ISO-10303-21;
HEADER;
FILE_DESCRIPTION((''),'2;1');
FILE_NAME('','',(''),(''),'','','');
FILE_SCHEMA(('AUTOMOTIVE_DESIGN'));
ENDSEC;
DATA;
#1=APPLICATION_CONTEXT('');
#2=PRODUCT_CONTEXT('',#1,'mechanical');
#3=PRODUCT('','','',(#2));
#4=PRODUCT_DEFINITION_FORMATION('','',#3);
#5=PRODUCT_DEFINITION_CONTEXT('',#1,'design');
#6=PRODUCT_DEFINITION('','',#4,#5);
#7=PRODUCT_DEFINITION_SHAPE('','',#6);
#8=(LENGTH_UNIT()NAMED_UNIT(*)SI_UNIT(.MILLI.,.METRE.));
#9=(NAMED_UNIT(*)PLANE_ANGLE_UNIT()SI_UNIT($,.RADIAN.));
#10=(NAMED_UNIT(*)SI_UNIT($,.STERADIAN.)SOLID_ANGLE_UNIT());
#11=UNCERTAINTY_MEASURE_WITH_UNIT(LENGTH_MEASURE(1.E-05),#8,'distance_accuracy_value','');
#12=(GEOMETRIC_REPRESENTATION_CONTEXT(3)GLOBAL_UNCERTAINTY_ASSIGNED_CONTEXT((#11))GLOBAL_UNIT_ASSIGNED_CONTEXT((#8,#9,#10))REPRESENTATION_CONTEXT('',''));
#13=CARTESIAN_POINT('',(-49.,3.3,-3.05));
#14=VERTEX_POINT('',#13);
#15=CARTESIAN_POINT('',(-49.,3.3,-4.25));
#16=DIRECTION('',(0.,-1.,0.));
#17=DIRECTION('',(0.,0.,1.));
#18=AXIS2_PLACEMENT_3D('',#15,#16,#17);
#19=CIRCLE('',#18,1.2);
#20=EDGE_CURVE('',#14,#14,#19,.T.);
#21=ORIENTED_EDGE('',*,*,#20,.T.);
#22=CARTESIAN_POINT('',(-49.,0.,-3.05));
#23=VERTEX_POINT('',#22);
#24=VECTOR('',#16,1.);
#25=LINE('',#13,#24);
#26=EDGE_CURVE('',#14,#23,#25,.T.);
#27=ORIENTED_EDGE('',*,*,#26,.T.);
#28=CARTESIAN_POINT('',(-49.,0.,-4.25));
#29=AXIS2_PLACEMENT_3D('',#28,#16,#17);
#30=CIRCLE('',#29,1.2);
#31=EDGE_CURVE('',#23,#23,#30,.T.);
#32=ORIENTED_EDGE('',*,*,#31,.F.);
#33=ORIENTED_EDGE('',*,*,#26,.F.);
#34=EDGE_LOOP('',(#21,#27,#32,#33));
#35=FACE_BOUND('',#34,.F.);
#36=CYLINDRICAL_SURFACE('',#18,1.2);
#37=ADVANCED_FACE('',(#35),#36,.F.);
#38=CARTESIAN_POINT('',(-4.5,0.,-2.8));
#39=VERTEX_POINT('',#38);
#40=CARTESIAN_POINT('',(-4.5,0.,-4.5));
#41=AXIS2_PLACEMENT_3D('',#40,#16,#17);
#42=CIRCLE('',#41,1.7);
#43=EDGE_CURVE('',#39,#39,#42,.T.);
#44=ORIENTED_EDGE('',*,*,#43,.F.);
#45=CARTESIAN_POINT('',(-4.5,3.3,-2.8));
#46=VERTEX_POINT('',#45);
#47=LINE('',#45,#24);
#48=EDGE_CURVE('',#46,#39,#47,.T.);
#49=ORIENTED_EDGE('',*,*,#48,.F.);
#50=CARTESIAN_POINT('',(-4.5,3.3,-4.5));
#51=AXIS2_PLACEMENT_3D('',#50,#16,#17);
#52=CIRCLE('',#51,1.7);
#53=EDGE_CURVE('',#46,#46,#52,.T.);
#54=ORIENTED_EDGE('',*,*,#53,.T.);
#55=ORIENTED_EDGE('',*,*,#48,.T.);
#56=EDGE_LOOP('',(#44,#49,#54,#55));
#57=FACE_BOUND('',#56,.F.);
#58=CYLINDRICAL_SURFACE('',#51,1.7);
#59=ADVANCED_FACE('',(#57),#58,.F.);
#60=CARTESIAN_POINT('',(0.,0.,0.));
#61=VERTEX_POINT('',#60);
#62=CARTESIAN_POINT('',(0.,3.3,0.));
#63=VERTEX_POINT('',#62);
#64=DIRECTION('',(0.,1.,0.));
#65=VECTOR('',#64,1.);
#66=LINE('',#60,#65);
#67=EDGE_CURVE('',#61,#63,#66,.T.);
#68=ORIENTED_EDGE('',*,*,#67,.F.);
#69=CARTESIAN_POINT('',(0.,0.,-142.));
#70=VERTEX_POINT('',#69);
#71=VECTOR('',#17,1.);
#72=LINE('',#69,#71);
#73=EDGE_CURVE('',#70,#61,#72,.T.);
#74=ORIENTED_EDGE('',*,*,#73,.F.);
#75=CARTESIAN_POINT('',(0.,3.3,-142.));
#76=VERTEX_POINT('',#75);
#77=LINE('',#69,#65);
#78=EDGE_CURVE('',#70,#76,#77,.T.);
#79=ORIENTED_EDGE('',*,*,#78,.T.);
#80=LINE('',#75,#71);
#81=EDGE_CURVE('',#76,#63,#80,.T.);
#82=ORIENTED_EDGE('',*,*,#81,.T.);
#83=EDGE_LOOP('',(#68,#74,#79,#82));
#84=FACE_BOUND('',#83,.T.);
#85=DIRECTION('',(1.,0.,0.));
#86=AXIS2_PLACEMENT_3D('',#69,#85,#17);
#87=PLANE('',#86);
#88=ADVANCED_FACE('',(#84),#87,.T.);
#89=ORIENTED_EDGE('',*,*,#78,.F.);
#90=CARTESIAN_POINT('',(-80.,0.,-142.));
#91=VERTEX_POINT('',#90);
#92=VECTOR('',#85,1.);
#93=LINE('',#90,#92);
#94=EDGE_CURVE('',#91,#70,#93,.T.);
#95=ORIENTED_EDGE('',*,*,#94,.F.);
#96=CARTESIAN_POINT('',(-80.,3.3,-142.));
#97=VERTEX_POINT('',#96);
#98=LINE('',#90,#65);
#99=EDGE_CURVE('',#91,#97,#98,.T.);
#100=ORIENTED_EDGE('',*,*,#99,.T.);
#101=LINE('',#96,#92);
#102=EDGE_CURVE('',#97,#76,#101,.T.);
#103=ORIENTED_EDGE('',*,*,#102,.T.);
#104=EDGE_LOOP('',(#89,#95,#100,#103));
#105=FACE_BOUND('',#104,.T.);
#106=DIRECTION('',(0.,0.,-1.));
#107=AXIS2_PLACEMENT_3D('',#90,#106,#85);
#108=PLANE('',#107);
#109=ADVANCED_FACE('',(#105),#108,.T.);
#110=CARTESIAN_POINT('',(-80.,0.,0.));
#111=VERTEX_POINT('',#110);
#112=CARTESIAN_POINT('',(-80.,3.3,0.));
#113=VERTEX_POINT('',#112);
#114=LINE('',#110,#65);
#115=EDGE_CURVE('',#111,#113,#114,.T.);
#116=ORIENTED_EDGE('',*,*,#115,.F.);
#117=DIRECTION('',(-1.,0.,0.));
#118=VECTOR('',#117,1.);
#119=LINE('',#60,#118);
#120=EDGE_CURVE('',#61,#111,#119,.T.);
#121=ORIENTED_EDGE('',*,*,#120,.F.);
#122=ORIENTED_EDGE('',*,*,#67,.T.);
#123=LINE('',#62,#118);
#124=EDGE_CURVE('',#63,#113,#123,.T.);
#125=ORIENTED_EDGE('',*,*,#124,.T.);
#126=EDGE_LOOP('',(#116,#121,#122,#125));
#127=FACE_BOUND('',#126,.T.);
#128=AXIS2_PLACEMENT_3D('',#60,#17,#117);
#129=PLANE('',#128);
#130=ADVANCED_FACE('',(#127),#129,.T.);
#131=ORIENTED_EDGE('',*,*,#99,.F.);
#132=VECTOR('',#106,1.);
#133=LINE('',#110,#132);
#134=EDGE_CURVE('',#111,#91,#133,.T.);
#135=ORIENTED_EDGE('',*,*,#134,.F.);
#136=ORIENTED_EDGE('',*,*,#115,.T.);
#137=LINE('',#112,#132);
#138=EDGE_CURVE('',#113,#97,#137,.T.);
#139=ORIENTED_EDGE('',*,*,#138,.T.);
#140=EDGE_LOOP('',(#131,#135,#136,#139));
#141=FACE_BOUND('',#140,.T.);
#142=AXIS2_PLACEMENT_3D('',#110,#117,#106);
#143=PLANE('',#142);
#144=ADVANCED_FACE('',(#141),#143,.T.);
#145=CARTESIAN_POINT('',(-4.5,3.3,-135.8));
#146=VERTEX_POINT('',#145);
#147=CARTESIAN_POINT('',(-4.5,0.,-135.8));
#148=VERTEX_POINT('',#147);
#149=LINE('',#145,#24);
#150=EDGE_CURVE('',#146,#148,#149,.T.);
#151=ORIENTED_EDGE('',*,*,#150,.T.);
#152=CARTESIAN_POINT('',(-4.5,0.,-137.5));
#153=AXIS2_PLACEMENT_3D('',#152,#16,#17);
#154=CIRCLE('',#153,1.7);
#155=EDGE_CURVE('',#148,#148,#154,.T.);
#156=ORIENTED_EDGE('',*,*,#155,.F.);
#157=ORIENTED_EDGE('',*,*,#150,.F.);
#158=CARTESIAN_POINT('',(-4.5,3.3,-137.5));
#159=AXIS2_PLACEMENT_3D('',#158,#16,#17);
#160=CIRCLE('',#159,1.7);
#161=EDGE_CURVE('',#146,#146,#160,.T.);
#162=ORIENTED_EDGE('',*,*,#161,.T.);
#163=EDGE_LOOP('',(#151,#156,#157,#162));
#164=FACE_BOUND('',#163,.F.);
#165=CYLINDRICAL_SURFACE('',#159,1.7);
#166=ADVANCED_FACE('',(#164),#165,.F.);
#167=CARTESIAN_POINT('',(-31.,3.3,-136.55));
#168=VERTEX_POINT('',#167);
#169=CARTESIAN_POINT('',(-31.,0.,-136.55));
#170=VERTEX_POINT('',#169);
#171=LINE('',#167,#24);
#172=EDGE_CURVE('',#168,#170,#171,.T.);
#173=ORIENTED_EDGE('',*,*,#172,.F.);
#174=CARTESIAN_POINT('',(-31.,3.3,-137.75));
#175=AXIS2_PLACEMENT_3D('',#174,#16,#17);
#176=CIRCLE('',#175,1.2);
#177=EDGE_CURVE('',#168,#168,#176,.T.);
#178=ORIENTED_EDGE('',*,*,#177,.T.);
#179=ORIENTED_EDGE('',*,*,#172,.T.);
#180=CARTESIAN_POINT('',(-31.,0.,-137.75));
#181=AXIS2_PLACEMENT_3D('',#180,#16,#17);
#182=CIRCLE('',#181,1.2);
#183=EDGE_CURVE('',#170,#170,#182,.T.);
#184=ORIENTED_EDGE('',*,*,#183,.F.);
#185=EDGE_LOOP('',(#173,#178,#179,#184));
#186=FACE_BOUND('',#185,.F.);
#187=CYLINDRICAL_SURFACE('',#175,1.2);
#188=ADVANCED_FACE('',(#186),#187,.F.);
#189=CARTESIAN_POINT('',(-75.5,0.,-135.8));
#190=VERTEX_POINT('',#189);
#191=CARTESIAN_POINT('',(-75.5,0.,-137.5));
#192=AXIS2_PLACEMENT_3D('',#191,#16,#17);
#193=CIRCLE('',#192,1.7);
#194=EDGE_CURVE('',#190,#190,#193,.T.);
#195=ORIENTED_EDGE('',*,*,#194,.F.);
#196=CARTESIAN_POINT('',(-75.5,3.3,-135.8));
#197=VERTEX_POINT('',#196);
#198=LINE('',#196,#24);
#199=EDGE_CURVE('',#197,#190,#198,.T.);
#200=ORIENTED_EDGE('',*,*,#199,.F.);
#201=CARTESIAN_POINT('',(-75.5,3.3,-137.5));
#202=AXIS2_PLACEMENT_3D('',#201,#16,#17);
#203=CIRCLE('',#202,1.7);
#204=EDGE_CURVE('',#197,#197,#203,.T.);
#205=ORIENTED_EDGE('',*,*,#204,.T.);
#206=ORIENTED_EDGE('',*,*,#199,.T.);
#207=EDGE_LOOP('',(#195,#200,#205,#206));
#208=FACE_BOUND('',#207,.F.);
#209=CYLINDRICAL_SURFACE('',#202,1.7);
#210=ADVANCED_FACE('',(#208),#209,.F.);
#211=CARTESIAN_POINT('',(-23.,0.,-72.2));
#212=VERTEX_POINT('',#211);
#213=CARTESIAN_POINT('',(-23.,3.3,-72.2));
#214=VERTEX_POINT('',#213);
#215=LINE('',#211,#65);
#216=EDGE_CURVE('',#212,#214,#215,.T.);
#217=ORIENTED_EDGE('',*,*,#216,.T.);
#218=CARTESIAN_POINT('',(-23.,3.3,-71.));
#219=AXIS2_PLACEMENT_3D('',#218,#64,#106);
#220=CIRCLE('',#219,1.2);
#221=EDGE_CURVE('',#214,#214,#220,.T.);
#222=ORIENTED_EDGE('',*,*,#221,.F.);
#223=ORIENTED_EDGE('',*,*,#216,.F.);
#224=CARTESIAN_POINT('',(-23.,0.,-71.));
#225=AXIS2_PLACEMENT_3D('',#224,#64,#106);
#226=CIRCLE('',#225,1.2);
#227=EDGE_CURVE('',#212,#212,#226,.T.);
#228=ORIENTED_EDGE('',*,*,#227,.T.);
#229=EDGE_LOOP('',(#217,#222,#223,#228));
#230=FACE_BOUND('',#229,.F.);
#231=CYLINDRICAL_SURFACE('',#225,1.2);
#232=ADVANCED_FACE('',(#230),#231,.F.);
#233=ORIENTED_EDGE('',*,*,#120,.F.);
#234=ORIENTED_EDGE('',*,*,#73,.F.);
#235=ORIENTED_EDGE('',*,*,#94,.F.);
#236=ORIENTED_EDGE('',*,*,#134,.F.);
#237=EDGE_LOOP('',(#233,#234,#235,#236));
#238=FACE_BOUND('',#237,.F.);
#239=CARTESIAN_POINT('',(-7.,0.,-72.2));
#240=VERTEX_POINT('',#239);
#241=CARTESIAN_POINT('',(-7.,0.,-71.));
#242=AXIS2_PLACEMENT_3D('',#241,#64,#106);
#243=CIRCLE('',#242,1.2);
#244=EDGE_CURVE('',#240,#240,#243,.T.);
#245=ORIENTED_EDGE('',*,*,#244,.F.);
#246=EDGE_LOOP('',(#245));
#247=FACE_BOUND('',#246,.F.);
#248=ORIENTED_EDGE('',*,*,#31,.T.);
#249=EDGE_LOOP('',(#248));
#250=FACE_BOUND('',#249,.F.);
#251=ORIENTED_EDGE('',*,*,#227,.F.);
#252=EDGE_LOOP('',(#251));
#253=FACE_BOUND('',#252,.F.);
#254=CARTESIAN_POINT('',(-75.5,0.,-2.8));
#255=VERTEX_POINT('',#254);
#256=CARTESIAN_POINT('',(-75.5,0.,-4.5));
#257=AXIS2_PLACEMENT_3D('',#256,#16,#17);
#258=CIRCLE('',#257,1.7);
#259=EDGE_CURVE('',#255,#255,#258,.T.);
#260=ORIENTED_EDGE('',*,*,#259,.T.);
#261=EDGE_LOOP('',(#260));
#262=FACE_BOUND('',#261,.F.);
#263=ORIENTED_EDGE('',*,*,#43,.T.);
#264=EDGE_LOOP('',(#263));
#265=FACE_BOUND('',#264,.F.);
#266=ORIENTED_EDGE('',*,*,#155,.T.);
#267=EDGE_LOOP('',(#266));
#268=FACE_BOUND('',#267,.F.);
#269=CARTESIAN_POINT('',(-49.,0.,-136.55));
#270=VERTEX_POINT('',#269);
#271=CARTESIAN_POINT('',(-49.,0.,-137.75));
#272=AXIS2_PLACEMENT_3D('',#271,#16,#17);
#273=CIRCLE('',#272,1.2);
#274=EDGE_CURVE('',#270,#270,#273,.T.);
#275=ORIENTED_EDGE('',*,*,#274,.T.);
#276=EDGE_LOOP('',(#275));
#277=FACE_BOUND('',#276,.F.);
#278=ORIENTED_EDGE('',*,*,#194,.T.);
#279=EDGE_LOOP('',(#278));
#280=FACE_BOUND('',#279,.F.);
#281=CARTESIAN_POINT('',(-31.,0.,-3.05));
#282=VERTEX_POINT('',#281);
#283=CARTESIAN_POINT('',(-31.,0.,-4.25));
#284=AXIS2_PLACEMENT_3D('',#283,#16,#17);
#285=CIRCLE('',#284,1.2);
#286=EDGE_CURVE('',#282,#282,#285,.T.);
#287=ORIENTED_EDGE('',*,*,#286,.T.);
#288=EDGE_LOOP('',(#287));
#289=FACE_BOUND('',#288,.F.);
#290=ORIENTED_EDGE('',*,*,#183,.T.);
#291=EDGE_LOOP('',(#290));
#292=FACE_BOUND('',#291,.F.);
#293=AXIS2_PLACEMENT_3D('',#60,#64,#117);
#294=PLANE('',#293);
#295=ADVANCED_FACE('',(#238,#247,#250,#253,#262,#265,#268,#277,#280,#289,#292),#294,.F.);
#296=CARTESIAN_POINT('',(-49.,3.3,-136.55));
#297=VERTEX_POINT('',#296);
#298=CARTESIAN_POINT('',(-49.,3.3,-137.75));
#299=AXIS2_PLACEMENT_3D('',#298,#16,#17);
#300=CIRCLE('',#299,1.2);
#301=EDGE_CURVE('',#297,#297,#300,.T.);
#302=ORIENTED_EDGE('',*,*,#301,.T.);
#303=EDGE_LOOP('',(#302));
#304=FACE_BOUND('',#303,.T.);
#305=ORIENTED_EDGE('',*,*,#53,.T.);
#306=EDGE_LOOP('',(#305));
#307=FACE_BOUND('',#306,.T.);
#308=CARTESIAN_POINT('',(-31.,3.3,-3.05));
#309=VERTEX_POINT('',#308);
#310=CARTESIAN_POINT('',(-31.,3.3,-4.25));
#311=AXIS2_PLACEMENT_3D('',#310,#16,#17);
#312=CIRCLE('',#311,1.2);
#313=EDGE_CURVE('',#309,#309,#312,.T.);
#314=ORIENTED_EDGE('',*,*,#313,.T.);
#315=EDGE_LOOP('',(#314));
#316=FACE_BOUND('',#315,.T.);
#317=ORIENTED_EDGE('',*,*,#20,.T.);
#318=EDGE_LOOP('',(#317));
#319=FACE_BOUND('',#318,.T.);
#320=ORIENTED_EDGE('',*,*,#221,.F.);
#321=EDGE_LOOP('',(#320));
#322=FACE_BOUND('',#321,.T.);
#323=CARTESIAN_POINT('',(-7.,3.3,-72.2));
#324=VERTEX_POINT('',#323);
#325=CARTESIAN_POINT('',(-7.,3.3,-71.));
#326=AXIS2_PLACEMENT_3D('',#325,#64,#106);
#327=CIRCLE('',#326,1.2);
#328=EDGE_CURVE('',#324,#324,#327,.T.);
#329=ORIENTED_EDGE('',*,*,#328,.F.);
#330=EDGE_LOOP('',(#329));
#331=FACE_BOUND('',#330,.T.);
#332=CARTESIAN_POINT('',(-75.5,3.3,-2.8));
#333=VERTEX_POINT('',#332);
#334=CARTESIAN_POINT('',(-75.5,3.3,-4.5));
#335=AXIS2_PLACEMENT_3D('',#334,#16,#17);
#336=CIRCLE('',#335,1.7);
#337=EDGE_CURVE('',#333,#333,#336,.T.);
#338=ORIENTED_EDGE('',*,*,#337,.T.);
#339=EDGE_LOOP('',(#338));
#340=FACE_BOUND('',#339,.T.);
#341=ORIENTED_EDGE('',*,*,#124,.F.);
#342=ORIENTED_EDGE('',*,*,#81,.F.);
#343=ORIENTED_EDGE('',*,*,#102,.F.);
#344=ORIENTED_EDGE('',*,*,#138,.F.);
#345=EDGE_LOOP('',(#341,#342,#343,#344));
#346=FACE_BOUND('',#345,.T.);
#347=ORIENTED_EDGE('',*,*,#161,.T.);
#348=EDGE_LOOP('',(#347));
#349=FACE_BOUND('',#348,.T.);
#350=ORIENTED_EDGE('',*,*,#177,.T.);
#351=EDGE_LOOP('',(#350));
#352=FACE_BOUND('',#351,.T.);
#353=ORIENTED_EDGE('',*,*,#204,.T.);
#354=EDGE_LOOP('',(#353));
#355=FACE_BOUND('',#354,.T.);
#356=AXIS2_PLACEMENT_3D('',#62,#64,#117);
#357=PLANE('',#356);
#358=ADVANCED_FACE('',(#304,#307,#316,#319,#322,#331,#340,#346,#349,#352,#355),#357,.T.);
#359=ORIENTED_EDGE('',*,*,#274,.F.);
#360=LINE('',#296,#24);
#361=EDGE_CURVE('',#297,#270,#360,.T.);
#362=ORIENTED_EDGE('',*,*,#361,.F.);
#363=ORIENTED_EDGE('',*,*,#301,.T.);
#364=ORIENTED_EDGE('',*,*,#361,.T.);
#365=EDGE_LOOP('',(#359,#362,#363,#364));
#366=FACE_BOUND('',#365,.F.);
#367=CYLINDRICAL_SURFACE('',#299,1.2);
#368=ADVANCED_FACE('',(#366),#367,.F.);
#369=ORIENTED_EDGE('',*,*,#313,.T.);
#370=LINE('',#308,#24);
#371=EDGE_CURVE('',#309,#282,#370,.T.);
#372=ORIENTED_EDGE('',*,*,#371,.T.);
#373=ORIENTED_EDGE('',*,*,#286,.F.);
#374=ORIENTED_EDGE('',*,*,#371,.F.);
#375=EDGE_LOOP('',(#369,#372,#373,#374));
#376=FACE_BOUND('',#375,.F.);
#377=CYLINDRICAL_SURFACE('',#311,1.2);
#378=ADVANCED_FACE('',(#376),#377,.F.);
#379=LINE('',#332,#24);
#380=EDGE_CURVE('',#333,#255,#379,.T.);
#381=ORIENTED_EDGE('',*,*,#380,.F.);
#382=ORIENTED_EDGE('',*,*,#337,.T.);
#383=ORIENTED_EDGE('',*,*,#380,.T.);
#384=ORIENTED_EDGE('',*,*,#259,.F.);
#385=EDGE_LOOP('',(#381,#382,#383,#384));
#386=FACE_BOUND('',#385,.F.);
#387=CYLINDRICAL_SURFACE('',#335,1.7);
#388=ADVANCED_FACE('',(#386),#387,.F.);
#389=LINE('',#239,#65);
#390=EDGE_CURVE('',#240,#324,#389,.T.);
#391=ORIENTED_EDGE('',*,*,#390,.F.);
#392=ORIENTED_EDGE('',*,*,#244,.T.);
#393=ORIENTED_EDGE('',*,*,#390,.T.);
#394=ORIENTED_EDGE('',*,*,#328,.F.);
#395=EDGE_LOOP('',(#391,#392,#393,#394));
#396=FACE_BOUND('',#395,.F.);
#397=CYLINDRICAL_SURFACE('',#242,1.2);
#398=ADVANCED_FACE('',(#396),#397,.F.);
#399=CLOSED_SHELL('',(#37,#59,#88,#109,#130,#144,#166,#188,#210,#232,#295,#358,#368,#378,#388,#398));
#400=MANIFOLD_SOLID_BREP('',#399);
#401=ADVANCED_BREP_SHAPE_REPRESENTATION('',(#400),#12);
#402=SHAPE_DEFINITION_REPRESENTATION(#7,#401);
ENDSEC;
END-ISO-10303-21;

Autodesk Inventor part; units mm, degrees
ref_plane "YZ Plane" through (0, 0, 0) normal (1, 0, 0) x (0, 1, 0)
ref_plane "XZ Plane" through (0, 0, 0) normal (0, 1, 0) x (-1, 0, 0)
ref_plane "XY Plane" through (0, 0, 0) normal (0, 0, 1) x (1, 0, 0)
sketch "スケッチ1" plane through (0, 0, 0) normal (0, 1, 0) x (-1, 0, 0)
  line L0 (0, 0) -> (80, 0)
  line L1 (80, 0) -> (80, -142)
  line L2 (80, -142) -> (0, -142)
  line L3 (0, -142) -> (0, 0)
  dimension "d0" = 80
  dimension "d1" = 142
extrude "押し出し1" add sketch "スケッチ1" along normal blind 3.3
hole "穴1" at (-75.5, 3.3, -4.5) direction (0, -1, 0) diameter 3.4 end through all
hole "穴2" at (-4.5, 3.3, -4.5) direction (0, -1, 0) diameter 3.4 end through all
hole "穴3" at (-4.5, 3.3, -137.5) direction (0, -1, 0) diameter 3.4 end through all
hole "穴4" at (-75.5, 3.3, -137.5) direction (0, -1, 0) diameter 3.4 end through all
hole "穴5" at (-49, 3.3, -137.75) direction (0, -1, 0) diameter 2.4 end through all
hole "穴6" at (-31, 3.3, -137.75) direction (0, -1, 0) diameter 2.4 end through all
hole "穴7" at (-31, 3.3, -4.25) direction (0, -1, 0) diameter 2.4 end through all
hole "穴8" at (-49, 3.3, -4.25) direction (0, -1, 0) diameter 2.4 end through all
hole "穴9" at (-7, 0, -71) direction (0, 1, 0) diameter 2.4 end through all
hole "穴10" at (-23, 0, -71) direction (0, 1, 0) diameter 2.4 end through all
properties part number "基本板" material "アルミニウム 5052"
